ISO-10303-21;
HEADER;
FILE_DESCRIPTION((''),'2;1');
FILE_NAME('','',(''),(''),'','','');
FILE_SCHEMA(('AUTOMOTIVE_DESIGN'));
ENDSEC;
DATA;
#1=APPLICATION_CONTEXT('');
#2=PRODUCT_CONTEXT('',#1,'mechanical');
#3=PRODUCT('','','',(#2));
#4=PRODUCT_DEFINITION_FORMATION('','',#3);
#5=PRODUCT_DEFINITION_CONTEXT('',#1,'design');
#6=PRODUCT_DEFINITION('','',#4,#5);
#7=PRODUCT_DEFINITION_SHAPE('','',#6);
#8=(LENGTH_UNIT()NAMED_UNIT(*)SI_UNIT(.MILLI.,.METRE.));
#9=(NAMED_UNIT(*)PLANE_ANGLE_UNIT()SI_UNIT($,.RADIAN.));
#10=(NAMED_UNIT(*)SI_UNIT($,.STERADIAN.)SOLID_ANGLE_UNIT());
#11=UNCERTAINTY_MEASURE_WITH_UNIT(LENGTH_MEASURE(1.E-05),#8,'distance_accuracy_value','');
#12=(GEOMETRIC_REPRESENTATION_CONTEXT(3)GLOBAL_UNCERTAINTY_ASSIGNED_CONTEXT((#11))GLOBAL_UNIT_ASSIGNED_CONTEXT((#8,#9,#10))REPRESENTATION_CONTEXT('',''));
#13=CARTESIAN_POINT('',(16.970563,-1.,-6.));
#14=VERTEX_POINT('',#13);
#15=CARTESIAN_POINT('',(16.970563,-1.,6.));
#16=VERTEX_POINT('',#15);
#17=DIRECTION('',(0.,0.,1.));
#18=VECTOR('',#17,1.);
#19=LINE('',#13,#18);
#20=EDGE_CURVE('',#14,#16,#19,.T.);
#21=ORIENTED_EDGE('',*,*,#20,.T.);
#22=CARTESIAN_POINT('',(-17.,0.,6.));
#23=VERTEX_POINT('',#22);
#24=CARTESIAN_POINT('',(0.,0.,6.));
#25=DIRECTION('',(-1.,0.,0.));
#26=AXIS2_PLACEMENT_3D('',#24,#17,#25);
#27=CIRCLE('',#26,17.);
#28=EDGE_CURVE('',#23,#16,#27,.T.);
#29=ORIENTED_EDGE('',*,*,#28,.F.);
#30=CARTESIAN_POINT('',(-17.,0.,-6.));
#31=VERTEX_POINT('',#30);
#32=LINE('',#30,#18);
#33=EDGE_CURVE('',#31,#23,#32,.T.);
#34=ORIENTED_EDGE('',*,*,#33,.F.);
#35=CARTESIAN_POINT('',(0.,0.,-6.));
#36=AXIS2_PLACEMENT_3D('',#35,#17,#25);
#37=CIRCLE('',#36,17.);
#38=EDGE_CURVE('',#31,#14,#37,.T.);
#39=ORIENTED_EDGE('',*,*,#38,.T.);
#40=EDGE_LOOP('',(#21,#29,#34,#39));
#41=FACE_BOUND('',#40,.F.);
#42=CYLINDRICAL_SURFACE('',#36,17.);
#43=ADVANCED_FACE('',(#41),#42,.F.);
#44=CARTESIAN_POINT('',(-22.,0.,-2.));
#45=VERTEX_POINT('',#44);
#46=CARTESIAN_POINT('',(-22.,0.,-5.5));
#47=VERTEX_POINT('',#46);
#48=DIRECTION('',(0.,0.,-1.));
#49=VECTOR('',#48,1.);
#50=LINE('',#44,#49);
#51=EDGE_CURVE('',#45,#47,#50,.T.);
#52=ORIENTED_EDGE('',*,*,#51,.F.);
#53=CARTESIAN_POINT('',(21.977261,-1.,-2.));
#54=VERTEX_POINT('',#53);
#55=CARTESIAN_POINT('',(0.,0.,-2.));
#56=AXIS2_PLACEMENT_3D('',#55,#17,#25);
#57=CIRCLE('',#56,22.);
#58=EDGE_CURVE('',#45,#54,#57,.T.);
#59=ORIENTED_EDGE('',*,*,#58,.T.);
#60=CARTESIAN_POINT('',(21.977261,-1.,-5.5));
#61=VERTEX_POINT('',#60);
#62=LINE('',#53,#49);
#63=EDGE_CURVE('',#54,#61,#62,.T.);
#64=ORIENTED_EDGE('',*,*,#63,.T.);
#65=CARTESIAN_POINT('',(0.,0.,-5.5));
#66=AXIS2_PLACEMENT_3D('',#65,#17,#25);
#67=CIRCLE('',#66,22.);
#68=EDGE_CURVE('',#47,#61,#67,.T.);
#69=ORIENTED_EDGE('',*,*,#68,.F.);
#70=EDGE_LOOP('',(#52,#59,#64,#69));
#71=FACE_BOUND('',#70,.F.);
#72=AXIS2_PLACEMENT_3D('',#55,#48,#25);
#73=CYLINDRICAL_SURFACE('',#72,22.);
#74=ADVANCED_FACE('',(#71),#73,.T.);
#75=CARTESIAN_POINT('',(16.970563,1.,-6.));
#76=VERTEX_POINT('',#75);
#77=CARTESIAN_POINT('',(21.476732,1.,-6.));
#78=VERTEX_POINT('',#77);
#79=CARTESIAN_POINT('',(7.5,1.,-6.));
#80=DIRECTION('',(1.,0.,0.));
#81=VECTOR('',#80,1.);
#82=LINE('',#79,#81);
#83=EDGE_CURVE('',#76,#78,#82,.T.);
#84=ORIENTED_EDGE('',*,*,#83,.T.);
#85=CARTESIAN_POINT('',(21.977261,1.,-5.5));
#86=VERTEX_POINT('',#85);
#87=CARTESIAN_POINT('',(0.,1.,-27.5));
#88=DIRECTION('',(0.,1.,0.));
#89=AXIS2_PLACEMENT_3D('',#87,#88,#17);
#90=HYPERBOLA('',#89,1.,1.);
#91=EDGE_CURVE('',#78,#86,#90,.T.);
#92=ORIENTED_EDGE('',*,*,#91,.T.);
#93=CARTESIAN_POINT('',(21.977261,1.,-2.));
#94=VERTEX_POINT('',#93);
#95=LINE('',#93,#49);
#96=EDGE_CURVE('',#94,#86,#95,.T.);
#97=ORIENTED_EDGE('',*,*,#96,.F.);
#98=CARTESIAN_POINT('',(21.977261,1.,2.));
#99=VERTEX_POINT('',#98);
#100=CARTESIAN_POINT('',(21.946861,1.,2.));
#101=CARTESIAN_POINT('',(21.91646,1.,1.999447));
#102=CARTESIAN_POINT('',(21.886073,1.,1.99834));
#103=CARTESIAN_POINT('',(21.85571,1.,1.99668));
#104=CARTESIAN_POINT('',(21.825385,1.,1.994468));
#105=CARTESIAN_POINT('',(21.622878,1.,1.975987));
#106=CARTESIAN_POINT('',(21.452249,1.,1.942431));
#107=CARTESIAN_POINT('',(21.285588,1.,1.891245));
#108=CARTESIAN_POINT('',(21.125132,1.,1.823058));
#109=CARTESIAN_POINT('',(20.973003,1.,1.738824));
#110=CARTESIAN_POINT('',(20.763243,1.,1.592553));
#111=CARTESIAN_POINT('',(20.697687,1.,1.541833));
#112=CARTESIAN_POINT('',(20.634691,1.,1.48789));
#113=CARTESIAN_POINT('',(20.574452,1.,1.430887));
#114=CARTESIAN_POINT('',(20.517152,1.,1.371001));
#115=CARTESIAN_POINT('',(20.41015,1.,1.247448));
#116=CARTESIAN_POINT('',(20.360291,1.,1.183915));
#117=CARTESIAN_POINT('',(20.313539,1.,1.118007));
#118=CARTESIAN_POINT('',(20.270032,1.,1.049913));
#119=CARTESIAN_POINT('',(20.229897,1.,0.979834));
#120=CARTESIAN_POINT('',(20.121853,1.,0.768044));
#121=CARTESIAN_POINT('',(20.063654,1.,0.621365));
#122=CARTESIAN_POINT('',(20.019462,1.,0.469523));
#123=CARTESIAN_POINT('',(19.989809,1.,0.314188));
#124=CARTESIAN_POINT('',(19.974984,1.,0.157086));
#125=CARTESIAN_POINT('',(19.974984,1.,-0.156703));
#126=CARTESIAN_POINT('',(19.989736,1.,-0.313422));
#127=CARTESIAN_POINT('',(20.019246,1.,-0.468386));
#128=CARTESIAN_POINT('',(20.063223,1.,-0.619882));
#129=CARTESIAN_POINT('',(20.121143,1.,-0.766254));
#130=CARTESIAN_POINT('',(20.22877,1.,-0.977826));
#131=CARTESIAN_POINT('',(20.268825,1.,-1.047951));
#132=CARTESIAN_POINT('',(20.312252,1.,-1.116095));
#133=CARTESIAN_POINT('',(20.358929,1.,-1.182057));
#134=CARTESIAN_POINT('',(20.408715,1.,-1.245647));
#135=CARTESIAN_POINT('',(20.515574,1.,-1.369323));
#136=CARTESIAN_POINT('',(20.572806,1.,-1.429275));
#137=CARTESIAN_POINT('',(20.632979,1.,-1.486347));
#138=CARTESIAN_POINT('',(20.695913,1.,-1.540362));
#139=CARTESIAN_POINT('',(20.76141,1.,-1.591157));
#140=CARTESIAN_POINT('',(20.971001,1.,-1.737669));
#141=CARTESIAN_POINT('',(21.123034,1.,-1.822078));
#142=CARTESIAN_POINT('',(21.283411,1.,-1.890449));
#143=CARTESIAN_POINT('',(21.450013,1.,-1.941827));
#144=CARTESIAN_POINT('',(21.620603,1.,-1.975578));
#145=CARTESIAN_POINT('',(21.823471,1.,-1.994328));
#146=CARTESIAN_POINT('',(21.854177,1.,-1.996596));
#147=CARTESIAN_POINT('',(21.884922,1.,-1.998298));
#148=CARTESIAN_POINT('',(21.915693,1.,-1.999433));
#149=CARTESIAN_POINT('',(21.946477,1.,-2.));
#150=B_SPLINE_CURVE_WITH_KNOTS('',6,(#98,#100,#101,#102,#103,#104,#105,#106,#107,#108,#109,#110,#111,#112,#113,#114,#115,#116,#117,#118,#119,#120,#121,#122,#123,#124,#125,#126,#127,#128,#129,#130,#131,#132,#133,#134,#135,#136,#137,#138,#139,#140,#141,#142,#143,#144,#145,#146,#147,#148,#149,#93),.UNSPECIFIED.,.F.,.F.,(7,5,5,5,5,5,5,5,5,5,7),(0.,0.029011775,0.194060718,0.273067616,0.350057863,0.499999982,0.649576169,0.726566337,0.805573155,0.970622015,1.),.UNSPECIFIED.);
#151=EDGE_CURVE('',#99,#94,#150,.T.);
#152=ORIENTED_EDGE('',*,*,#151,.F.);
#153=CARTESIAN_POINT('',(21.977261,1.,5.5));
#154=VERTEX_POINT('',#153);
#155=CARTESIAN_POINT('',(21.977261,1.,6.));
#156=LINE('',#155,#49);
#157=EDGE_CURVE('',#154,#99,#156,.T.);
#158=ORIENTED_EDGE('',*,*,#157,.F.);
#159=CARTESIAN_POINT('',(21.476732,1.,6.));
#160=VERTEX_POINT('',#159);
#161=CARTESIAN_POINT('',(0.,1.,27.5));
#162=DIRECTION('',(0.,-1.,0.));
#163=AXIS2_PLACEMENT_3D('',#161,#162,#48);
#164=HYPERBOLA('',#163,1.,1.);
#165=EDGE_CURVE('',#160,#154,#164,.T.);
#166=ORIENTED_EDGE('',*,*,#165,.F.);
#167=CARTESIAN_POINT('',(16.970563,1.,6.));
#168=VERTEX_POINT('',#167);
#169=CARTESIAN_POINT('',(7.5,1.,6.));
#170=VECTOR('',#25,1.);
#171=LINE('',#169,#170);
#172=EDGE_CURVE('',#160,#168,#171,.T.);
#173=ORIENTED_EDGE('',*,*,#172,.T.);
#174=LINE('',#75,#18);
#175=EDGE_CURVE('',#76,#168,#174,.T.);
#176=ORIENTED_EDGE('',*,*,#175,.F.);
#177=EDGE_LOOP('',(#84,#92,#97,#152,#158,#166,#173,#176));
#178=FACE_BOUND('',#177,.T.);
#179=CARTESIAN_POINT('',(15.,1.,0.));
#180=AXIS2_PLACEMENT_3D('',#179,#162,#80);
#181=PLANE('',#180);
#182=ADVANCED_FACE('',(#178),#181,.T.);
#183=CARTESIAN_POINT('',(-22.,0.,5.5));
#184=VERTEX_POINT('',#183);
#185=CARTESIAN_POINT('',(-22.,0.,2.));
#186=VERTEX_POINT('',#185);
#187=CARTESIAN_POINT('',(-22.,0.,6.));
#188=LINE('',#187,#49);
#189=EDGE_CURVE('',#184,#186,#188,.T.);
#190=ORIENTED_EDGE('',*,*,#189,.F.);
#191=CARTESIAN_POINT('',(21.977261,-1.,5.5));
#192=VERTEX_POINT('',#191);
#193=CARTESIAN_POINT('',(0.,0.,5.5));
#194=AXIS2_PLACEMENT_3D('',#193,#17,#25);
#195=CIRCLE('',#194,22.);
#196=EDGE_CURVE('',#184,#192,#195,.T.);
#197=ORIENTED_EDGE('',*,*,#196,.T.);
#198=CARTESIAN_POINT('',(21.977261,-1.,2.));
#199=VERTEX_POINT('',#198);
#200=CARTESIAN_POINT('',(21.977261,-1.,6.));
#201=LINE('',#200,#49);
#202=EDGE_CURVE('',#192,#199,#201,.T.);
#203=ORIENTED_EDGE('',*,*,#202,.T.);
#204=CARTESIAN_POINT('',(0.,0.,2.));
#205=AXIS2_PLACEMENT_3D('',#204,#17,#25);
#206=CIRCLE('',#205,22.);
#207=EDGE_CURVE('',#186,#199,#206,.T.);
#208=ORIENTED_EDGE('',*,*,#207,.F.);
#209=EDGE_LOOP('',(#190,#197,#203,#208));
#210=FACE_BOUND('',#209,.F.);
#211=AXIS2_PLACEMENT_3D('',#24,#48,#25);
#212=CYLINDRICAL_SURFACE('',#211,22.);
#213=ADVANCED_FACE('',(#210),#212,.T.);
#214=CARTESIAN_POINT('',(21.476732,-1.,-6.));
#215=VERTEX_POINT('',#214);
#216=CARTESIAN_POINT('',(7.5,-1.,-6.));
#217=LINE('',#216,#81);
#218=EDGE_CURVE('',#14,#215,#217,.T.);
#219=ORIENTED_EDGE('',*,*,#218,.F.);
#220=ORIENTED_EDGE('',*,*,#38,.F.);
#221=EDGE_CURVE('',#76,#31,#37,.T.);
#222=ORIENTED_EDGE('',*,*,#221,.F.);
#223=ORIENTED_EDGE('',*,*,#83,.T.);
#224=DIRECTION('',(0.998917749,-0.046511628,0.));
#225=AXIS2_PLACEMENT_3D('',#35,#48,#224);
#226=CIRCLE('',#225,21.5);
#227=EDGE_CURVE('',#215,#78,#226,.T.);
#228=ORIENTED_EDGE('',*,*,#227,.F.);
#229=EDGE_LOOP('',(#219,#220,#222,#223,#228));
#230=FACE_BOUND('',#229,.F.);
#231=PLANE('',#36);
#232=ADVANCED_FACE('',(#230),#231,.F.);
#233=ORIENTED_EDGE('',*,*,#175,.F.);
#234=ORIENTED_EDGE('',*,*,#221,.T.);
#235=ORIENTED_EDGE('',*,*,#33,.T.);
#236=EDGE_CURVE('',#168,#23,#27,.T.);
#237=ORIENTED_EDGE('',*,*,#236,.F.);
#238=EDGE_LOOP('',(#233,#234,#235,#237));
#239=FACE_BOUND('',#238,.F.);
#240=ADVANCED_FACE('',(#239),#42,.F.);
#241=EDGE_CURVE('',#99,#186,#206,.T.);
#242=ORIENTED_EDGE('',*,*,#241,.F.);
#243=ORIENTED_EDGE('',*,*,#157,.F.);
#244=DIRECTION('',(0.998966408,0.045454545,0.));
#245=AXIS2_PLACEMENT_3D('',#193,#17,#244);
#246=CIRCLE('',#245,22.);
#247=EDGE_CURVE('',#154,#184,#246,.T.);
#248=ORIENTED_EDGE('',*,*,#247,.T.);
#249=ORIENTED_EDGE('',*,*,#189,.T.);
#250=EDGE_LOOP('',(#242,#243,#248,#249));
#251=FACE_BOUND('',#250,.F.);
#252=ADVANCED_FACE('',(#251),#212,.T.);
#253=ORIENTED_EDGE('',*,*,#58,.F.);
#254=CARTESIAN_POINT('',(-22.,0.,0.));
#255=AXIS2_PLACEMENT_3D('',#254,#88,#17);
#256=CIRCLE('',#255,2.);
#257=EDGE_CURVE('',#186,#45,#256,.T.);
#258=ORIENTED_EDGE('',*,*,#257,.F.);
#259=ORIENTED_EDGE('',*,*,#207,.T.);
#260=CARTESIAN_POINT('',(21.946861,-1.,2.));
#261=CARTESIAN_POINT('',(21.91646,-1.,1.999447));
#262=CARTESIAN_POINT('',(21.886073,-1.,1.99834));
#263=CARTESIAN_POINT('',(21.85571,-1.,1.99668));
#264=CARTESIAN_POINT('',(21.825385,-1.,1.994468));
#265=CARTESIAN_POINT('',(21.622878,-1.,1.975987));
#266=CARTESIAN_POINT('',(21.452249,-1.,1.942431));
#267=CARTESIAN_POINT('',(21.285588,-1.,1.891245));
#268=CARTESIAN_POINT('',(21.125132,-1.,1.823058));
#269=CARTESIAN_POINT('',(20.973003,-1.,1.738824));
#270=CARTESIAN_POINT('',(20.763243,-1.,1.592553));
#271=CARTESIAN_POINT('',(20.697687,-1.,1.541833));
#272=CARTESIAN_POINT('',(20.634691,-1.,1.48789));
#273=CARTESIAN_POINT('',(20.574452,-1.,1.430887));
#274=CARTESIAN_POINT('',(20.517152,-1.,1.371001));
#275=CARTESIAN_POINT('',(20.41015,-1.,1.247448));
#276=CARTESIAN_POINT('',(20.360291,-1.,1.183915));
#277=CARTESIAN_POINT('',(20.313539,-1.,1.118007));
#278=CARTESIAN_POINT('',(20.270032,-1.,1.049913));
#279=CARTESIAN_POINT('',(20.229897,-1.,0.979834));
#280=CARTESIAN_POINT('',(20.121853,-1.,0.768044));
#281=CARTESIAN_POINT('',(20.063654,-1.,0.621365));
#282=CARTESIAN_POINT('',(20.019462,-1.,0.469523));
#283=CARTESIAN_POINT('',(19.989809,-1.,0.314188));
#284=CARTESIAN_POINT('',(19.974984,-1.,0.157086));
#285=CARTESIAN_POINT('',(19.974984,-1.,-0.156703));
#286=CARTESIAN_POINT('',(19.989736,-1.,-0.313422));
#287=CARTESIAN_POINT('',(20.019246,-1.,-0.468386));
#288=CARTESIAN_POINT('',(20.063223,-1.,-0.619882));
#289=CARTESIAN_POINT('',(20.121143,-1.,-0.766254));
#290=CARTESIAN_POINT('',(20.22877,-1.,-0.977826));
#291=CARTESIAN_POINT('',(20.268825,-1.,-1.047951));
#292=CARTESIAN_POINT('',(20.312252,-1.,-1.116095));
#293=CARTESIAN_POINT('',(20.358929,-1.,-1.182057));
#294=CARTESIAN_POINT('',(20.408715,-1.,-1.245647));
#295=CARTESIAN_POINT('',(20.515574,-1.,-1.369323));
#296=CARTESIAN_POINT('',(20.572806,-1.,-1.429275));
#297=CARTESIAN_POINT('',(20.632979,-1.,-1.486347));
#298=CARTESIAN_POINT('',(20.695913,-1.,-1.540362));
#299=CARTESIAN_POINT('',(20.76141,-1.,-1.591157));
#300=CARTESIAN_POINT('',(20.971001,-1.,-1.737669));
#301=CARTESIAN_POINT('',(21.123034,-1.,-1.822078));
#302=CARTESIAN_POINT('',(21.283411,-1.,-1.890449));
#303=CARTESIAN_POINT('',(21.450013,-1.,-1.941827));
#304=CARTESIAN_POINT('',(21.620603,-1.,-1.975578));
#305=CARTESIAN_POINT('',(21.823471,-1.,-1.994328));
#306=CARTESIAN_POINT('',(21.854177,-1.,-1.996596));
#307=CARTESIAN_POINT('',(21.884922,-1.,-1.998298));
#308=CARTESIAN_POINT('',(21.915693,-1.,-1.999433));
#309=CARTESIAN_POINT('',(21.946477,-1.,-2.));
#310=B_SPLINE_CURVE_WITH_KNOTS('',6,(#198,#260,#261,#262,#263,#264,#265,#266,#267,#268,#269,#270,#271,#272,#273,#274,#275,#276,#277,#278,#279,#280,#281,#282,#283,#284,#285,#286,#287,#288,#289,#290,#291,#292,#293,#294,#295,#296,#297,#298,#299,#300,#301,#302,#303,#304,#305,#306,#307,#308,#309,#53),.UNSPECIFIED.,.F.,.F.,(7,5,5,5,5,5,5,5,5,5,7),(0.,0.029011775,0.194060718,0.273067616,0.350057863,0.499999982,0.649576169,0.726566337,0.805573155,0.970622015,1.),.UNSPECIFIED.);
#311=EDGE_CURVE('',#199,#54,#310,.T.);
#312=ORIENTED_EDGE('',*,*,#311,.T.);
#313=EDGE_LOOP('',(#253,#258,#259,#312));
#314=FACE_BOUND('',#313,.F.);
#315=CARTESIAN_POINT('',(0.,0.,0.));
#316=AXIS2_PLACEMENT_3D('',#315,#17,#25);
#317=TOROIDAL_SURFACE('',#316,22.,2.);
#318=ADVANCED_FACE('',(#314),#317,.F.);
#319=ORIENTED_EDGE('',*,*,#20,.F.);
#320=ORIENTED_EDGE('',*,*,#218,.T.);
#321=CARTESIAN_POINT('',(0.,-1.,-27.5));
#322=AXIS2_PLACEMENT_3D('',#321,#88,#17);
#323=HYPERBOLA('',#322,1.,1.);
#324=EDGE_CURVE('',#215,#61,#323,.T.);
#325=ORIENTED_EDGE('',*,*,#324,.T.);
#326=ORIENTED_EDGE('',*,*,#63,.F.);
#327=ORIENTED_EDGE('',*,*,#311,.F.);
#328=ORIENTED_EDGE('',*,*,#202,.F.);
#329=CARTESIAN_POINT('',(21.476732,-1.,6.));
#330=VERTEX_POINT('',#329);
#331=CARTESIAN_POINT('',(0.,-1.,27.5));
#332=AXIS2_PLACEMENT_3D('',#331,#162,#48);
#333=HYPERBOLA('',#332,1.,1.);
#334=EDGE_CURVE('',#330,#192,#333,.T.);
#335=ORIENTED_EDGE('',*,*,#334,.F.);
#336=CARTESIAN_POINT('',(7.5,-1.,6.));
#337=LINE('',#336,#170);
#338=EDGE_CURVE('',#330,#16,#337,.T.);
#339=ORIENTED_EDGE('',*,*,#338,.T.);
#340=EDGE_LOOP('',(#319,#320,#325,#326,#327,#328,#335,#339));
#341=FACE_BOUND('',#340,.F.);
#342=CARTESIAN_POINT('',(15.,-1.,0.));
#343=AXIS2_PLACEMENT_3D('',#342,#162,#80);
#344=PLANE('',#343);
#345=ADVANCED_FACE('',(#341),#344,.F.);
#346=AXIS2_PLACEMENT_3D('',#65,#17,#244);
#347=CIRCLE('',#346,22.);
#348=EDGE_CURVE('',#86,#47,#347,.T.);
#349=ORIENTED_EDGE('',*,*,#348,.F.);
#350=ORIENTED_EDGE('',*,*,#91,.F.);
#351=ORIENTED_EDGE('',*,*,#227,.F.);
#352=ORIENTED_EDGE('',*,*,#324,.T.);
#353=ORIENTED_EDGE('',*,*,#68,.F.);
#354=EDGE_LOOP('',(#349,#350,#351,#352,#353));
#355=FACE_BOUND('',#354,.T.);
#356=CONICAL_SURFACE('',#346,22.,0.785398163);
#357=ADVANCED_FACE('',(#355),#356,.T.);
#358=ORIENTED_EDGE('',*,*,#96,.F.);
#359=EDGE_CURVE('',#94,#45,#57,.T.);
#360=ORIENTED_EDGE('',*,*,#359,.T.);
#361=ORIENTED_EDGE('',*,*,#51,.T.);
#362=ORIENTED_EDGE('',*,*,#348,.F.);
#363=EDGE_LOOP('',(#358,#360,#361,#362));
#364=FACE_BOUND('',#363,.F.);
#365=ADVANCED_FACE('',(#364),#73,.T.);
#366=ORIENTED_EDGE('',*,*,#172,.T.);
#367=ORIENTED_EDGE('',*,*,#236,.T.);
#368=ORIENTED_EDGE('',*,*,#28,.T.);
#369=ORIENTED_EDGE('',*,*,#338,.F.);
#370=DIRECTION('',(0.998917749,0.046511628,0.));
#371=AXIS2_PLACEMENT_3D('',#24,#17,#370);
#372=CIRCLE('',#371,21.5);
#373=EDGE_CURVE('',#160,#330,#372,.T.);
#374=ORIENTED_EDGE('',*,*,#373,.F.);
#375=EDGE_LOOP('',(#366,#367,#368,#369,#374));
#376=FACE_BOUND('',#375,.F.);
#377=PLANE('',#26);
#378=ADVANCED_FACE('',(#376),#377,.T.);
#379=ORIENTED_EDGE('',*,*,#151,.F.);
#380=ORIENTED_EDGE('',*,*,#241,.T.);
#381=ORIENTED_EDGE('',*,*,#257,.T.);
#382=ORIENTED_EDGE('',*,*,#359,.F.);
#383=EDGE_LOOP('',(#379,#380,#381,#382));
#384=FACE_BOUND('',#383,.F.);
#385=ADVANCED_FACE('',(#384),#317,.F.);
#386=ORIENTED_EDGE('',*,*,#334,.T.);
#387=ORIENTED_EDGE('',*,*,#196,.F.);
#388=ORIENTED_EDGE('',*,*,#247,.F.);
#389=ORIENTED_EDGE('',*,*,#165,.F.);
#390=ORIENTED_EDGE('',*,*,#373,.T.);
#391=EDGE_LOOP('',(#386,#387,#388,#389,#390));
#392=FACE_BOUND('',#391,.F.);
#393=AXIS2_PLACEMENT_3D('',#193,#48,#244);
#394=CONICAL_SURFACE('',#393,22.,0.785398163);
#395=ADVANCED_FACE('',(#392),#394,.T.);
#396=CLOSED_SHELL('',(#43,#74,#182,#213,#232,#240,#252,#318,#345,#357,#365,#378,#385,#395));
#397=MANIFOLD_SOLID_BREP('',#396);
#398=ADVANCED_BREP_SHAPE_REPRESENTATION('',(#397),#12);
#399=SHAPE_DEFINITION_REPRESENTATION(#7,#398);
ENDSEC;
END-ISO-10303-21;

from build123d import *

# Parameters (mm, degrees)
F2_W     = 10
F2_H     = 2
F3_DEPTH = 12.5
F4_SIZE  = 0.5


with BuildPart() as f1:
    # F0 (on Front) → F1 (revolve)
    with BuildSketch(Plane.XZ):
        with BuildLine():
            Line((-17, -6), (-17, 0))
            Line((-17, 0), (-17, 6))
            Line((-17, 6), (-22, 6))
            Line((-22, 6), (-22, 2))
            ThreePointArc((-22, 2), (-20, 0), (-22, -2))
            Line((-22, -2), (-22, -6))
            Line((-22, -6), (-17, -6))
        make_face()
    revolve(axis=Axis((0, 0, 3.54172), (0, 0, 1)))

    # F2 (on Top) → F3 (cut, symmetric)
    with BuildSketch(Plane.XY):
        with Locations((20, 0)):
            Rectangle(F2_W, F2_H)
    extrude(amount=F3_DEPTH, both=True, mode=Mode.SUBTRACT)

    # F4
    f4_edges = [f1.edges().sort_by_distance(p)[0] for p in [
        (-0.500129, -21.994315, -6),
        (-0.500129, -21.994315, 6),
    ]]
    chamfer(f4_edges, length=F4_SIZE)


solid = f1.part
